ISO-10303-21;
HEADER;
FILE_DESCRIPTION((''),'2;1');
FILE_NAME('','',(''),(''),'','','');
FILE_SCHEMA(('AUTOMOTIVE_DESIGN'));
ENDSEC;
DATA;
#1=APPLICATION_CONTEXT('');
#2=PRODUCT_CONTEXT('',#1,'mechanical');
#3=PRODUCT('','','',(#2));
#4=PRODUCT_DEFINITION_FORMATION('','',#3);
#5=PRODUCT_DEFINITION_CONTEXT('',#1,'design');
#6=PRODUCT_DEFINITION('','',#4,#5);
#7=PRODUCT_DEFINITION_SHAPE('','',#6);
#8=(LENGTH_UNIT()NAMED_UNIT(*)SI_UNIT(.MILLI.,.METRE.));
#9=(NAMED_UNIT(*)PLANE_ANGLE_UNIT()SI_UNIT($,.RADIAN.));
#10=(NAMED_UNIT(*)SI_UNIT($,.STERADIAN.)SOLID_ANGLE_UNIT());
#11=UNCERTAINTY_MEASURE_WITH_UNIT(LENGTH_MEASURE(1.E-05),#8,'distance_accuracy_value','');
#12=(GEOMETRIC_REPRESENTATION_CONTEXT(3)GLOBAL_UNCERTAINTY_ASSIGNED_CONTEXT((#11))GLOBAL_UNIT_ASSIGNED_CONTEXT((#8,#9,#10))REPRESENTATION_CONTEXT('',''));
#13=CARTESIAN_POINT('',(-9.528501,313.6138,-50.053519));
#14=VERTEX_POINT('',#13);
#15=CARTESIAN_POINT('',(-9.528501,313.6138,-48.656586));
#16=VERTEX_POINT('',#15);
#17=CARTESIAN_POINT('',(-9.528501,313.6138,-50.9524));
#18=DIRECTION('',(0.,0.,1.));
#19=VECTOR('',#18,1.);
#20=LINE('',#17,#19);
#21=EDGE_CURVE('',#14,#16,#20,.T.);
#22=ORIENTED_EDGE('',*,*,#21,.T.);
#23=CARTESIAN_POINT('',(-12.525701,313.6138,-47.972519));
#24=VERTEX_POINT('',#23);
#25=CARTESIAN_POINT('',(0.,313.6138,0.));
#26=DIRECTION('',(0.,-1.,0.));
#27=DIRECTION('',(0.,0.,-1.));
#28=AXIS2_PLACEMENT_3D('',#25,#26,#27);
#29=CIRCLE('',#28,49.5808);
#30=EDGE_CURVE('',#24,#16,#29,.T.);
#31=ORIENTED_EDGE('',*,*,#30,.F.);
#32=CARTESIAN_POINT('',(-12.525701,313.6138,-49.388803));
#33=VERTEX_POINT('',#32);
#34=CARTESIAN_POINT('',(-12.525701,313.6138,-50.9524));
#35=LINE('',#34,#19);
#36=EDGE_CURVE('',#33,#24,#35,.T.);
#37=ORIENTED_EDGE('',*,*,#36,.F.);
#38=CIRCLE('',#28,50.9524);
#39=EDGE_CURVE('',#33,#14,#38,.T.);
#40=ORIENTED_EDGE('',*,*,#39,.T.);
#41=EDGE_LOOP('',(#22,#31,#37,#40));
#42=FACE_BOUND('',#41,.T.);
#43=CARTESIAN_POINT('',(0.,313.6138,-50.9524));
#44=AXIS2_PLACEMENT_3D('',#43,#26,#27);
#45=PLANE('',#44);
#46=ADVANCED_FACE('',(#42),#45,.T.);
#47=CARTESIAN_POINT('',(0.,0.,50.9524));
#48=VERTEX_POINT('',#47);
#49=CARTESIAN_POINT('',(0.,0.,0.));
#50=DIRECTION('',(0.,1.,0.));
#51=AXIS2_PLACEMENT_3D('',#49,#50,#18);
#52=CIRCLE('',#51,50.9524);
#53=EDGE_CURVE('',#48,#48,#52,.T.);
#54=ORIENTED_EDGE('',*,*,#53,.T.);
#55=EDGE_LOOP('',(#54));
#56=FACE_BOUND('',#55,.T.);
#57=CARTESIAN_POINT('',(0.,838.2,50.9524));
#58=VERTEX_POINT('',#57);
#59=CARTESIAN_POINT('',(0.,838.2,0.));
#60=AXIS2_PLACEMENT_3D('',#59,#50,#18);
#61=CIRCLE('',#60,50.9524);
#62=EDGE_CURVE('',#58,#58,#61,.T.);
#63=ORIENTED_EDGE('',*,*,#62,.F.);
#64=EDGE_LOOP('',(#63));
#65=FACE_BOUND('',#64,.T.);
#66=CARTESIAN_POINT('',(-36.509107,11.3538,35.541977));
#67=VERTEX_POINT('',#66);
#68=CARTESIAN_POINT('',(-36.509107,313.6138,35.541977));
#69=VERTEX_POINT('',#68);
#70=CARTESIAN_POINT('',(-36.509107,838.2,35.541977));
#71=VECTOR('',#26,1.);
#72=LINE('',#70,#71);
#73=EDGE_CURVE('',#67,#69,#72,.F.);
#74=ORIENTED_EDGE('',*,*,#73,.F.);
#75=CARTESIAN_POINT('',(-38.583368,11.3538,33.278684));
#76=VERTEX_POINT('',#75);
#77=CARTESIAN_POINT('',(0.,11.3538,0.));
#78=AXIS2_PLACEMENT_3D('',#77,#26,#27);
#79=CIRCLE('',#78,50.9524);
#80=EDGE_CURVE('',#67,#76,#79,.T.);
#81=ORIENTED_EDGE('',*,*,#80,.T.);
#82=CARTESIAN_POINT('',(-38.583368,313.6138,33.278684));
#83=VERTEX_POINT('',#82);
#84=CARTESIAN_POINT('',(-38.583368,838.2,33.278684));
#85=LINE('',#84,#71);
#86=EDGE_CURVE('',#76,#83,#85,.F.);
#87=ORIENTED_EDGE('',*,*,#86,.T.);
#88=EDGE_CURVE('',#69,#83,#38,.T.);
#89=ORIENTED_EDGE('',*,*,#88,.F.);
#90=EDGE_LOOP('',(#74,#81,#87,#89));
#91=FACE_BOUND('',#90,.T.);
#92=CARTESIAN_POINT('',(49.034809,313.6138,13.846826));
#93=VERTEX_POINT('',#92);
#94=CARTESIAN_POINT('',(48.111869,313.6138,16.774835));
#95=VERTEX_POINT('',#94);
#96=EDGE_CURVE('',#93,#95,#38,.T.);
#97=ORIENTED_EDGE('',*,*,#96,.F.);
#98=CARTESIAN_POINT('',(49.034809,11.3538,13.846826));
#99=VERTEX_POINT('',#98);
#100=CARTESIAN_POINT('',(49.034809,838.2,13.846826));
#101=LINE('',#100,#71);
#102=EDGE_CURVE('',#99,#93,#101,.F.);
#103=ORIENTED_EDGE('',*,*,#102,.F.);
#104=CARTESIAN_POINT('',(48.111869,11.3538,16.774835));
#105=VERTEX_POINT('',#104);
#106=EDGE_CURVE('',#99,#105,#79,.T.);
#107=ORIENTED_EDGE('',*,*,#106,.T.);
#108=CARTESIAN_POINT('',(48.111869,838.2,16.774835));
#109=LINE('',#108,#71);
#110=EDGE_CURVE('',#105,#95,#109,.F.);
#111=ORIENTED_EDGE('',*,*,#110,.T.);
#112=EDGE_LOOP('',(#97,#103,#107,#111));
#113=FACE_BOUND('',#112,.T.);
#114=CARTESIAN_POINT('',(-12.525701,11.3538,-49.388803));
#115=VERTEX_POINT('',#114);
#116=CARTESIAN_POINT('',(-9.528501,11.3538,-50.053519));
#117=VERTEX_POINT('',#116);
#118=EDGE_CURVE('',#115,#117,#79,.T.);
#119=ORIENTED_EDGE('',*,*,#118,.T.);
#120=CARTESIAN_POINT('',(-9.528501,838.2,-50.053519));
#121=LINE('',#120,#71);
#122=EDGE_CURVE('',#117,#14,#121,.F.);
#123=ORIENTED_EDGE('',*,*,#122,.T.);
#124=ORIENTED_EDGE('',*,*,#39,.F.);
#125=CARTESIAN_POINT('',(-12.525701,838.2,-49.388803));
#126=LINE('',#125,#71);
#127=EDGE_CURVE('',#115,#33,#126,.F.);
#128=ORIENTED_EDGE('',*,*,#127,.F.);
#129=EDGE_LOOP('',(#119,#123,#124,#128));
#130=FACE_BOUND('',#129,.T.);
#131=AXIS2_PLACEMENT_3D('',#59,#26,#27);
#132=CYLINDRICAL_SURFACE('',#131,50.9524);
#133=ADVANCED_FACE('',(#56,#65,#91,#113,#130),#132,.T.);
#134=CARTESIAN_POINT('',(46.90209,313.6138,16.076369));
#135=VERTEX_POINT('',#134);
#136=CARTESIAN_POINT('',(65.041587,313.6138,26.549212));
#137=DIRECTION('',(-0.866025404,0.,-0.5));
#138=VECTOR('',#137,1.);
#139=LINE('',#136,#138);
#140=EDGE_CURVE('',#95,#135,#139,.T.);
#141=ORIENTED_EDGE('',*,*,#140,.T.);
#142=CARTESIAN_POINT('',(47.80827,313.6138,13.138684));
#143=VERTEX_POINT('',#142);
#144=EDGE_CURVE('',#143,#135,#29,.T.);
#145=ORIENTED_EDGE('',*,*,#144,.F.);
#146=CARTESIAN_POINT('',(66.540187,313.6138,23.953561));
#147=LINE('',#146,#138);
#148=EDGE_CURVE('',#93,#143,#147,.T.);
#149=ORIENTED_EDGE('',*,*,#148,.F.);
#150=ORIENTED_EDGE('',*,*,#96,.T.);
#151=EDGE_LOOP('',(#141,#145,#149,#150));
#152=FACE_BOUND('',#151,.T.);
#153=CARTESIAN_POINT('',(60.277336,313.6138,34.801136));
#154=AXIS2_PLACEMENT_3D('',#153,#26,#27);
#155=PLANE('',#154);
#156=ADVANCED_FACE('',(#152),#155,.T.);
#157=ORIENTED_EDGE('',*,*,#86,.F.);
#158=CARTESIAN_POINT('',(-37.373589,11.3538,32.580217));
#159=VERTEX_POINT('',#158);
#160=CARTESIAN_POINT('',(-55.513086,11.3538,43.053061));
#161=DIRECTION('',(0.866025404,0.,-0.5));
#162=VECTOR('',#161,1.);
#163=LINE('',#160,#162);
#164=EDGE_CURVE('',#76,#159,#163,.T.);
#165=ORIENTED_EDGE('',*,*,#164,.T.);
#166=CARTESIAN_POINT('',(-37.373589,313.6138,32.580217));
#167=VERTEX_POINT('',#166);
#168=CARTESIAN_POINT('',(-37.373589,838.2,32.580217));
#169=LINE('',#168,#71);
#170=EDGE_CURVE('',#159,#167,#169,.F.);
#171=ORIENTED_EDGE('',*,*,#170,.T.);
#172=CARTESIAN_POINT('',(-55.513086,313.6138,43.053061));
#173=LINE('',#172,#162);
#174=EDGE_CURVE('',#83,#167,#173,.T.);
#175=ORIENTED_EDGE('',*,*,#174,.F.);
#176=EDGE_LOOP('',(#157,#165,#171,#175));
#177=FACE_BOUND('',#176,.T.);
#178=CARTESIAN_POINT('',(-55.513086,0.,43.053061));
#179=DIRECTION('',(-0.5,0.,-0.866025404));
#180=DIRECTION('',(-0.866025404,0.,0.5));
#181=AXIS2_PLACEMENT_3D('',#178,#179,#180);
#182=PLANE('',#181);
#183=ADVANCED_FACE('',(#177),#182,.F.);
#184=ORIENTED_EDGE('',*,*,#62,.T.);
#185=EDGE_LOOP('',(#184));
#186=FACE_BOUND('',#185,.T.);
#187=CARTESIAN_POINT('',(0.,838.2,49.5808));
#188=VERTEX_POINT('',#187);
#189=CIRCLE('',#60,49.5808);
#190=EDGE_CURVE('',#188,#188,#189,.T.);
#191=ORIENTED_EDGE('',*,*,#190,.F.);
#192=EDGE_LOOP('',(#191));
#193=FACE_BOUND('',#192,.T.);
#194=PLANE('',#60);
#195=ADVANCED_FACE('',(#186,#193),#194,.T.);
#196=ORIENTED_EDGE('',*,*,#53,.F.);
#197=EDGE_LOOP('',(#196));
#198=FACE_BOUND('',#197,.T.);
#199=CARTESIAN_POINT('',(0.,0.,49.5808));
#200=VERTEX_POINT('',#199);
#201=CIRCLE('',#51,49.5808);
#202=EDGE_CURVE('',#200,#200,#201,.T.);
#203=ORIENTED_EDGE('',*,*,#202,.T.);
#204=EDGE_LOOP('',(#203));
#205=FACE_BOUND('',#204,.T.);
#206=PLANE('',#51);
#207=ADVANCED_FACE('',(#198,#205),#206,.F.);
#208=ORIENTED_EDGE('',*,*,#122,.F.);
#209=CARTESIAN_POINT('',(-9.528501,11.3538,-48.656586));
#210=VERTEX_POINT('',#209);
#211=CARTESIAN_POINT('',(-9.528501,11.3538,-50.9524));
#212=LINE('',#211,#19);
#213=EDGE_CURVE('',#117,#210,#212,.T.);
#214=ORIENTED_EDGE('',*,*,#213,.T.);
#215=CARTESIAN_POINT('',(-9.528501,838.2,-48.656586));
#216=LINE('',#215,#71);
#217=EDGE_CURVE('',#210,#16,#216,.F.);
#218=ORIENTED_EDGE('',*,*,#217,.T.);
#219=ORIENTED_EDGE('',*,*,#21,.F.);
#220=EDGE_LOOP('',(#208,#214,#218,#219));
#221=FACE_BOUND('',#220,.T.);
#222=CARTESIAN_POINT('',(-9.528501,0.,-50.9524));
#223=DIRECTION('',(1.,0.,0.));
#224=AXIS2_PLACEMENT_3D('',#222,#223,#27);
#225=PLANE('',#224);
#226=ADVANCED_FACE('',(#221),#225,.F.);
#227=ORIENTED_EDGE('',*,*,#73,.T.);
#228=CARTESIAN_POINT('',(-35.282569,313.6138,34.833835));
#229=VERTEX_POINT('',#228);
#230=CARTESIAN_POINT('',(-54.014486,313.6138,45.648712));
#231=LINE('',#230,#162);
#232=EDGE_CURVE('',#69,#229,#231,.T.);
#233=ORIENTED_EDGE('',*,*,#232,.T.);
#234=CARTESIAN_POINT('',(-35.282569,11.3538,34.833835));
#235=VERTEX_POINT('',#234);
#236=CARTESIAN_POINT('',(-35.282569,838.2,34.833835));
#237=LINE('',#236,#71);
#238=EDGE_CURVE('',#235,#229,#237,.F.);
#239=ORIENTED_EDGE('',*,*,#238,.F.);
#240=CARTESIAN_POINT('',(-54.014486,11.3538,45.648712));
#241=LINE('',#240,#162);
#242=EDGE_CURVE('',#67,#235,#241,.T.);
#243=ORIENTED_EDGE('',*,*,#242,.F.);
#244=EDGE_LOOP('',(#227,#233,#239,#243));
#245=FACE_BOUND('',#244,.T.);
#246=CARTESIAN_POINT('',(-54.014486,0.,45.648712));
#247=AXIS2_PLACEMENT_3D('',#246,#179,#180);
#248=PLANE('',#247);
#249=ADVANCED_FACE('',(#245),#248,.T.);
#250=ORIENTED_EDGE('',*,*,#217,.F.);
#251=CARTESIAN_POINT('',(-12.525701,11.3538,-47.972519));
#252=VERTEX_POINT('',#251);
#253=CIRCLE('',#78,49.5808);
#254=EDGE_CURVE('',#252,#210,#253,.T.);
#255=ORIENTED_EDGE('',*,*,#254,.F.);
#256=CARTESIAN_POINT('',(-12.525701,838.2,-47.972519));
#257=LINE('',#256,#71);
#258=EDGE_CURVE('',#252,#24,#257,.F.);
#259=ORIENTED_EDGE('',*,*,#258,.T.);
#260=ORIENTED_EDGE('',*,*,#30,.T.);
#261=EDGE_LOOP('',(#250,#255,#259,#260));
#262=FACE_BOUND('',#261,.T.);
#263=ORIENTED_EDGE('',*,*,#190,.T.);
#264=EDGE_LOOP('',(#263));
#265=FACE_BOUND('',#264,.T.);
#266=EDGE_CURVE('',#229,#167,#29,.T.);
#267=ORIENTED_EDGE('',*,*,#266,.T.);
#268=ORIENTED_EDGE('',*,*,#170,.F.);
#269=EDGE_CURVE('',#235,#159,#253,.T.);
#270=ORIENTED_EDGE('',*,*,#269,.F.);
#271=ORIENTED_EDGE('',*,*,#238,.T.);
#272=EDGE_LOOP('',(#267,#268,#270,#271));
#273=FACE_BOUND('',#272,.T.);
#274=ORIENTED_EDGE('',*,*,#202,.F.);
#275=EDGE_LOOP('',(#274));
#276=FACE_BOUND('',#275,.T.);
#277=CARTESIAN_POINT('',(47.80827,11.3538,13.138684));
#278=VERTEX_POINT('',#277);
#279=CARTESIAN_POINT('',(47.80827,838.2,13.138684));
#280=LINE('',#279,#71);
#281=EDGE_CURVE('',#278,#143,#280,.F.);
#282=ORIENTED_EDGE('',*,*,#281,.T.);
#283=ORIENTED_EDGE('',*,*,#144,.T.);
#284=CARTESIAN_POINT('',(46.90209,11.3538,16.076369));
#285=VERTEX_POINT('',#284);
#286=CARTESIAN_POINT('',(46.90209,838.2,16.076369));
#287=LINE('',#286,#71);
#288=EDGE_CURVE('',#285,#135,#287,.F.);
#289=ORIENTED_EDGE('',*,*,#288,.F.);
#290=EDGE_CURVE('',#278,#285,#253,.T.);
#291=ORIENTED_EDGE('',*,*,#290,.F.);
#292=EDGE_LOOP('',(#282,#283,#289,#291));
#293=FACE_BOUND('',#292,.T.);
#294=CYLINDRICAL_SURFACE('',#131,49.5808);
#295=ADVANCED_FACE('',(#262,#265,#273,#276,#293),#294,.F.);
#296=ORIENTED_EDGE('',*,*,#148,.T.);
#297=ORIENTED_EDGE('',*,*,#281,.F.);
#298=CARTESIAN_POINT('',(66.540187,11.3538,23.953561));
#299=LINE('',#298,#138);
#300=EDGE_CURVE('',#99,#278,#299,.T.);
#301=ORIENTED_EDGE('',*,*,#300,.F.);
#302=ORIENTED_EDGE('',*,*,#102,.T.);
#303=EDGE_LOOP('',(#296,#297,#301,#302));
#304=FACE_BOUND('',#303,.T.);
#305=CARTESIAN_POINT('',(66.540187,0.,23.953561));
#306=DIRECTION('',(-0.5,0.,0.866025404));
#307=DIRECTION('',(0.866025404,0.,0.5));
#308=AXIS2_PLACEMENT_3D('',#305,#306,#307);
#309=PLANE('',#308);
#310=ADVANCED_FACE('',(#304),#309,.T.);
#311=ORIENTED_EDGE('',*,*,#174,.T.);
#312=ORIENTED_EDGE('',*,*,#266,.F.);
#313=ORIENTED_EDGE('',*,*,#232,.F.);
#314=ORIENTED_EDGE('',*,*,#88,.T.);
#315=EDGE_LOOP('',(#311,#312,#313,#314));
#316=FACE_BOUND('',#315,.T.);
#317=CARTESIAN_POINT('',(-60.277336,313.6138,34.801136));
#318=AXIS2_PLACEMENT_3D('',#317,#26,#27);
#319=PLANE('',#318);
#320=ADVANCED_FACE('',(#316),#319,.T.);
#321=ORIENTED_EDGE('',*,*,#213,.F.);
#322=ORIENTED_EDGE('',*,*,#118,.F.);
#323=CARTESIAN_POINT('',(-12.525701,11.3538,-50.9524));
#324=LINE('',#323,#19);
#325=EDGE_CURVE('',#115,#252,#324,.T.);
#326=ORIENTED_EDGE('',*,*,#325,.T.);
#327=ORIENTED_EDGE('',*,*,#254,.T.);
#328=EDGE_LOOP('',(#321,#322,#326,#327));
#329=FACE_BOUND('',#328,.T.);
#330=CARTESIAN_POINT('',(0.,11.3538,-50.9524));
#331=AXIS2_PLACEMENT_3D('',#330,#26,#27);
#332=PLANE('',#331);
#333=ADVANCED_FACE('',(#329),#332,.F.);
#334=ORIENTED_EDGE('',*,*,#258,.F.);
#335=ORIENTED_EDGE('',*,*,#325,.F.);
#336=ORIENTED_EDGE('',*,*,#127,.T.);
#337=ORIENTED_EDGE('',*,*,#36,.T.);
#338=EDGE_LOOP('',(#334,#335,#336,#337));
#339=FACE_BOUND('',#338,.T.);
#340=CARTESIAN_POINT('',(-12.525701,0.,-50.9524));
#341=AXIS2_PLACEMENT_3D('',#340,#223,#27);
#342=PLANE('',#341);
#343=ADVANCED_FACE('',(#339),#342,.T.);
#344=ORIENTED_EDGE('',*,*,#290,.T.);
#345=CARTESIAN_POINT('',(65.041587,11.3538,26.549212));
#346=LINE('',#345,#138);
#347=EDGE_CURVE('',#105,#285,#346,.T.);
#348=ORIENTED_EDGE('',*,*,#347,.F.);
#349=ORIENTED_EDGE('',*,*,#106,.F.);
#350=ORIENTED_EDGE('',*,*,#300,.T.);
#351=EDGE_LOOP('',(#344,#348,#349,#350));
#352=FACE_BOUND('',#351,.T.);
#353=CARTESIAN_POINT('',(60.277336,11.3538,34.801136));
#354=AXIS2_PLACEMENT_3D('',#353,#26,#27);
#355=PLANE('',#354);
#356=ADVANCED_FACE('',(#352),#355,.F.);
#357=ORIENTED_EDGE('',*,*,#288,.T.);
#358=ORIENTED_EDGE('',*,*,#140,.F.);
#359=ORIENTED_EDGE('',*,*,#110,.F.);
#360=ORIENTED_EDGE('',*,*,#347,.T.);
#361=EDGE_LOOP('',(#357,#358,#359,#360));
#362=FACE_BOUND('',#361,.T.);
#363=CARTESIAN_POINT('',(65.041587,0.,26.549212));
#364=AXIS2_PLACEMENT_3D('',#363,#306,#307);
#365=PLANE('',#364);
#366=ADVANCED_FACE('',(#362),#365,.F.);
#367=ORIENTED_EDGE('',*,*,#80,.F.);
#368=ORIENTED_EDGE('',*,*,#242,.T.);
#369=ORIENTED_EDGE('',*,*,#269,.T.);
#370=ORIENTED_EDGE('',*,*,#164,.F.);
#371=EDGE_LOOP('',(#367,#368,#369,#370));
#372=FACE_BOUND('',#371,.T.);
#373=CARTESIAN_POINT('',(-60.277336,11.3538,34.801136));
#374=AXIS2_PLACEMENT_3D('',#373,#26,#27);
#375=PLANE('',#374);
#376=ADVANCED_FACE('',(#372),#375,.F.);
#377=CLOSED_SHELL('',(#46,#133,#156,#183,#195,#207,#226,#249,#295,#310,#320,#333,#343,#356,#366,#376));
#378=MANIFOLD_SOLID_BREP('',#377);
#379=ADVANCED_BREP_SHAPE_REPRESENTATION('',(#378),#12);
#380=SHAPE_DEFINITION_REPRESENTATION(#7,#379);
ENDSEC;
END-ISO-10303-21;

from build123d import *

# Parameters (mm, degrees)
SKETCH2_R           = 50.9524
SKETCH2_R_2         = 49.5808
BOSS_EXTRUDE1_DEPTH = 838.2
SKETCH3_W           = 2.9972
SKETCH3_H           = 302.26
CUT_EXTRUDE1_DEPTH  = 51.9524
CIRPATTERN2_COUNT   = 3


with BuildPart() as part:
    # Sketch2 → Boss-Extrude1 (new body)
    with BuildSketch(Plane(origin=(0, 0, 0), x_dir=(1, 0, 0), z_dir=(0, 1, 0))):
        Circle(SKETCH2_R)
        Circle(SKETCH2_R_2, mode=Mode.SUBTRACT)
    extrude(amount=BOSS_EXTRUDE1_DEPTH)

    # Sketch3 → Cut-Extrude1 (cut, through all)
    with BuildSketch(Plane.XY):
        with Locations((-11.027101343, 162.4838)):
            Rectangle(SKETCH3_W, SKETCH3_H)
    cut_extrude1 = extrude(amount=-CUT_EXTRUDE1_DEPTH, mode=Mode.SUBTRACT)

    # CirPattern2: Cut-Extrude1 ×3 about axis
    cirpattern2_axis = Axis((0, 0, 0), (0, 1, 0))
    for i in range(1, CIRPATTERN2_COUNT):
        add(cut_extrude1.rotate(cirpattern2_axis, i * 360 / CIRPATTERN2_COUNT), mode=Mode.SUBTRACT)


solid = part.part
